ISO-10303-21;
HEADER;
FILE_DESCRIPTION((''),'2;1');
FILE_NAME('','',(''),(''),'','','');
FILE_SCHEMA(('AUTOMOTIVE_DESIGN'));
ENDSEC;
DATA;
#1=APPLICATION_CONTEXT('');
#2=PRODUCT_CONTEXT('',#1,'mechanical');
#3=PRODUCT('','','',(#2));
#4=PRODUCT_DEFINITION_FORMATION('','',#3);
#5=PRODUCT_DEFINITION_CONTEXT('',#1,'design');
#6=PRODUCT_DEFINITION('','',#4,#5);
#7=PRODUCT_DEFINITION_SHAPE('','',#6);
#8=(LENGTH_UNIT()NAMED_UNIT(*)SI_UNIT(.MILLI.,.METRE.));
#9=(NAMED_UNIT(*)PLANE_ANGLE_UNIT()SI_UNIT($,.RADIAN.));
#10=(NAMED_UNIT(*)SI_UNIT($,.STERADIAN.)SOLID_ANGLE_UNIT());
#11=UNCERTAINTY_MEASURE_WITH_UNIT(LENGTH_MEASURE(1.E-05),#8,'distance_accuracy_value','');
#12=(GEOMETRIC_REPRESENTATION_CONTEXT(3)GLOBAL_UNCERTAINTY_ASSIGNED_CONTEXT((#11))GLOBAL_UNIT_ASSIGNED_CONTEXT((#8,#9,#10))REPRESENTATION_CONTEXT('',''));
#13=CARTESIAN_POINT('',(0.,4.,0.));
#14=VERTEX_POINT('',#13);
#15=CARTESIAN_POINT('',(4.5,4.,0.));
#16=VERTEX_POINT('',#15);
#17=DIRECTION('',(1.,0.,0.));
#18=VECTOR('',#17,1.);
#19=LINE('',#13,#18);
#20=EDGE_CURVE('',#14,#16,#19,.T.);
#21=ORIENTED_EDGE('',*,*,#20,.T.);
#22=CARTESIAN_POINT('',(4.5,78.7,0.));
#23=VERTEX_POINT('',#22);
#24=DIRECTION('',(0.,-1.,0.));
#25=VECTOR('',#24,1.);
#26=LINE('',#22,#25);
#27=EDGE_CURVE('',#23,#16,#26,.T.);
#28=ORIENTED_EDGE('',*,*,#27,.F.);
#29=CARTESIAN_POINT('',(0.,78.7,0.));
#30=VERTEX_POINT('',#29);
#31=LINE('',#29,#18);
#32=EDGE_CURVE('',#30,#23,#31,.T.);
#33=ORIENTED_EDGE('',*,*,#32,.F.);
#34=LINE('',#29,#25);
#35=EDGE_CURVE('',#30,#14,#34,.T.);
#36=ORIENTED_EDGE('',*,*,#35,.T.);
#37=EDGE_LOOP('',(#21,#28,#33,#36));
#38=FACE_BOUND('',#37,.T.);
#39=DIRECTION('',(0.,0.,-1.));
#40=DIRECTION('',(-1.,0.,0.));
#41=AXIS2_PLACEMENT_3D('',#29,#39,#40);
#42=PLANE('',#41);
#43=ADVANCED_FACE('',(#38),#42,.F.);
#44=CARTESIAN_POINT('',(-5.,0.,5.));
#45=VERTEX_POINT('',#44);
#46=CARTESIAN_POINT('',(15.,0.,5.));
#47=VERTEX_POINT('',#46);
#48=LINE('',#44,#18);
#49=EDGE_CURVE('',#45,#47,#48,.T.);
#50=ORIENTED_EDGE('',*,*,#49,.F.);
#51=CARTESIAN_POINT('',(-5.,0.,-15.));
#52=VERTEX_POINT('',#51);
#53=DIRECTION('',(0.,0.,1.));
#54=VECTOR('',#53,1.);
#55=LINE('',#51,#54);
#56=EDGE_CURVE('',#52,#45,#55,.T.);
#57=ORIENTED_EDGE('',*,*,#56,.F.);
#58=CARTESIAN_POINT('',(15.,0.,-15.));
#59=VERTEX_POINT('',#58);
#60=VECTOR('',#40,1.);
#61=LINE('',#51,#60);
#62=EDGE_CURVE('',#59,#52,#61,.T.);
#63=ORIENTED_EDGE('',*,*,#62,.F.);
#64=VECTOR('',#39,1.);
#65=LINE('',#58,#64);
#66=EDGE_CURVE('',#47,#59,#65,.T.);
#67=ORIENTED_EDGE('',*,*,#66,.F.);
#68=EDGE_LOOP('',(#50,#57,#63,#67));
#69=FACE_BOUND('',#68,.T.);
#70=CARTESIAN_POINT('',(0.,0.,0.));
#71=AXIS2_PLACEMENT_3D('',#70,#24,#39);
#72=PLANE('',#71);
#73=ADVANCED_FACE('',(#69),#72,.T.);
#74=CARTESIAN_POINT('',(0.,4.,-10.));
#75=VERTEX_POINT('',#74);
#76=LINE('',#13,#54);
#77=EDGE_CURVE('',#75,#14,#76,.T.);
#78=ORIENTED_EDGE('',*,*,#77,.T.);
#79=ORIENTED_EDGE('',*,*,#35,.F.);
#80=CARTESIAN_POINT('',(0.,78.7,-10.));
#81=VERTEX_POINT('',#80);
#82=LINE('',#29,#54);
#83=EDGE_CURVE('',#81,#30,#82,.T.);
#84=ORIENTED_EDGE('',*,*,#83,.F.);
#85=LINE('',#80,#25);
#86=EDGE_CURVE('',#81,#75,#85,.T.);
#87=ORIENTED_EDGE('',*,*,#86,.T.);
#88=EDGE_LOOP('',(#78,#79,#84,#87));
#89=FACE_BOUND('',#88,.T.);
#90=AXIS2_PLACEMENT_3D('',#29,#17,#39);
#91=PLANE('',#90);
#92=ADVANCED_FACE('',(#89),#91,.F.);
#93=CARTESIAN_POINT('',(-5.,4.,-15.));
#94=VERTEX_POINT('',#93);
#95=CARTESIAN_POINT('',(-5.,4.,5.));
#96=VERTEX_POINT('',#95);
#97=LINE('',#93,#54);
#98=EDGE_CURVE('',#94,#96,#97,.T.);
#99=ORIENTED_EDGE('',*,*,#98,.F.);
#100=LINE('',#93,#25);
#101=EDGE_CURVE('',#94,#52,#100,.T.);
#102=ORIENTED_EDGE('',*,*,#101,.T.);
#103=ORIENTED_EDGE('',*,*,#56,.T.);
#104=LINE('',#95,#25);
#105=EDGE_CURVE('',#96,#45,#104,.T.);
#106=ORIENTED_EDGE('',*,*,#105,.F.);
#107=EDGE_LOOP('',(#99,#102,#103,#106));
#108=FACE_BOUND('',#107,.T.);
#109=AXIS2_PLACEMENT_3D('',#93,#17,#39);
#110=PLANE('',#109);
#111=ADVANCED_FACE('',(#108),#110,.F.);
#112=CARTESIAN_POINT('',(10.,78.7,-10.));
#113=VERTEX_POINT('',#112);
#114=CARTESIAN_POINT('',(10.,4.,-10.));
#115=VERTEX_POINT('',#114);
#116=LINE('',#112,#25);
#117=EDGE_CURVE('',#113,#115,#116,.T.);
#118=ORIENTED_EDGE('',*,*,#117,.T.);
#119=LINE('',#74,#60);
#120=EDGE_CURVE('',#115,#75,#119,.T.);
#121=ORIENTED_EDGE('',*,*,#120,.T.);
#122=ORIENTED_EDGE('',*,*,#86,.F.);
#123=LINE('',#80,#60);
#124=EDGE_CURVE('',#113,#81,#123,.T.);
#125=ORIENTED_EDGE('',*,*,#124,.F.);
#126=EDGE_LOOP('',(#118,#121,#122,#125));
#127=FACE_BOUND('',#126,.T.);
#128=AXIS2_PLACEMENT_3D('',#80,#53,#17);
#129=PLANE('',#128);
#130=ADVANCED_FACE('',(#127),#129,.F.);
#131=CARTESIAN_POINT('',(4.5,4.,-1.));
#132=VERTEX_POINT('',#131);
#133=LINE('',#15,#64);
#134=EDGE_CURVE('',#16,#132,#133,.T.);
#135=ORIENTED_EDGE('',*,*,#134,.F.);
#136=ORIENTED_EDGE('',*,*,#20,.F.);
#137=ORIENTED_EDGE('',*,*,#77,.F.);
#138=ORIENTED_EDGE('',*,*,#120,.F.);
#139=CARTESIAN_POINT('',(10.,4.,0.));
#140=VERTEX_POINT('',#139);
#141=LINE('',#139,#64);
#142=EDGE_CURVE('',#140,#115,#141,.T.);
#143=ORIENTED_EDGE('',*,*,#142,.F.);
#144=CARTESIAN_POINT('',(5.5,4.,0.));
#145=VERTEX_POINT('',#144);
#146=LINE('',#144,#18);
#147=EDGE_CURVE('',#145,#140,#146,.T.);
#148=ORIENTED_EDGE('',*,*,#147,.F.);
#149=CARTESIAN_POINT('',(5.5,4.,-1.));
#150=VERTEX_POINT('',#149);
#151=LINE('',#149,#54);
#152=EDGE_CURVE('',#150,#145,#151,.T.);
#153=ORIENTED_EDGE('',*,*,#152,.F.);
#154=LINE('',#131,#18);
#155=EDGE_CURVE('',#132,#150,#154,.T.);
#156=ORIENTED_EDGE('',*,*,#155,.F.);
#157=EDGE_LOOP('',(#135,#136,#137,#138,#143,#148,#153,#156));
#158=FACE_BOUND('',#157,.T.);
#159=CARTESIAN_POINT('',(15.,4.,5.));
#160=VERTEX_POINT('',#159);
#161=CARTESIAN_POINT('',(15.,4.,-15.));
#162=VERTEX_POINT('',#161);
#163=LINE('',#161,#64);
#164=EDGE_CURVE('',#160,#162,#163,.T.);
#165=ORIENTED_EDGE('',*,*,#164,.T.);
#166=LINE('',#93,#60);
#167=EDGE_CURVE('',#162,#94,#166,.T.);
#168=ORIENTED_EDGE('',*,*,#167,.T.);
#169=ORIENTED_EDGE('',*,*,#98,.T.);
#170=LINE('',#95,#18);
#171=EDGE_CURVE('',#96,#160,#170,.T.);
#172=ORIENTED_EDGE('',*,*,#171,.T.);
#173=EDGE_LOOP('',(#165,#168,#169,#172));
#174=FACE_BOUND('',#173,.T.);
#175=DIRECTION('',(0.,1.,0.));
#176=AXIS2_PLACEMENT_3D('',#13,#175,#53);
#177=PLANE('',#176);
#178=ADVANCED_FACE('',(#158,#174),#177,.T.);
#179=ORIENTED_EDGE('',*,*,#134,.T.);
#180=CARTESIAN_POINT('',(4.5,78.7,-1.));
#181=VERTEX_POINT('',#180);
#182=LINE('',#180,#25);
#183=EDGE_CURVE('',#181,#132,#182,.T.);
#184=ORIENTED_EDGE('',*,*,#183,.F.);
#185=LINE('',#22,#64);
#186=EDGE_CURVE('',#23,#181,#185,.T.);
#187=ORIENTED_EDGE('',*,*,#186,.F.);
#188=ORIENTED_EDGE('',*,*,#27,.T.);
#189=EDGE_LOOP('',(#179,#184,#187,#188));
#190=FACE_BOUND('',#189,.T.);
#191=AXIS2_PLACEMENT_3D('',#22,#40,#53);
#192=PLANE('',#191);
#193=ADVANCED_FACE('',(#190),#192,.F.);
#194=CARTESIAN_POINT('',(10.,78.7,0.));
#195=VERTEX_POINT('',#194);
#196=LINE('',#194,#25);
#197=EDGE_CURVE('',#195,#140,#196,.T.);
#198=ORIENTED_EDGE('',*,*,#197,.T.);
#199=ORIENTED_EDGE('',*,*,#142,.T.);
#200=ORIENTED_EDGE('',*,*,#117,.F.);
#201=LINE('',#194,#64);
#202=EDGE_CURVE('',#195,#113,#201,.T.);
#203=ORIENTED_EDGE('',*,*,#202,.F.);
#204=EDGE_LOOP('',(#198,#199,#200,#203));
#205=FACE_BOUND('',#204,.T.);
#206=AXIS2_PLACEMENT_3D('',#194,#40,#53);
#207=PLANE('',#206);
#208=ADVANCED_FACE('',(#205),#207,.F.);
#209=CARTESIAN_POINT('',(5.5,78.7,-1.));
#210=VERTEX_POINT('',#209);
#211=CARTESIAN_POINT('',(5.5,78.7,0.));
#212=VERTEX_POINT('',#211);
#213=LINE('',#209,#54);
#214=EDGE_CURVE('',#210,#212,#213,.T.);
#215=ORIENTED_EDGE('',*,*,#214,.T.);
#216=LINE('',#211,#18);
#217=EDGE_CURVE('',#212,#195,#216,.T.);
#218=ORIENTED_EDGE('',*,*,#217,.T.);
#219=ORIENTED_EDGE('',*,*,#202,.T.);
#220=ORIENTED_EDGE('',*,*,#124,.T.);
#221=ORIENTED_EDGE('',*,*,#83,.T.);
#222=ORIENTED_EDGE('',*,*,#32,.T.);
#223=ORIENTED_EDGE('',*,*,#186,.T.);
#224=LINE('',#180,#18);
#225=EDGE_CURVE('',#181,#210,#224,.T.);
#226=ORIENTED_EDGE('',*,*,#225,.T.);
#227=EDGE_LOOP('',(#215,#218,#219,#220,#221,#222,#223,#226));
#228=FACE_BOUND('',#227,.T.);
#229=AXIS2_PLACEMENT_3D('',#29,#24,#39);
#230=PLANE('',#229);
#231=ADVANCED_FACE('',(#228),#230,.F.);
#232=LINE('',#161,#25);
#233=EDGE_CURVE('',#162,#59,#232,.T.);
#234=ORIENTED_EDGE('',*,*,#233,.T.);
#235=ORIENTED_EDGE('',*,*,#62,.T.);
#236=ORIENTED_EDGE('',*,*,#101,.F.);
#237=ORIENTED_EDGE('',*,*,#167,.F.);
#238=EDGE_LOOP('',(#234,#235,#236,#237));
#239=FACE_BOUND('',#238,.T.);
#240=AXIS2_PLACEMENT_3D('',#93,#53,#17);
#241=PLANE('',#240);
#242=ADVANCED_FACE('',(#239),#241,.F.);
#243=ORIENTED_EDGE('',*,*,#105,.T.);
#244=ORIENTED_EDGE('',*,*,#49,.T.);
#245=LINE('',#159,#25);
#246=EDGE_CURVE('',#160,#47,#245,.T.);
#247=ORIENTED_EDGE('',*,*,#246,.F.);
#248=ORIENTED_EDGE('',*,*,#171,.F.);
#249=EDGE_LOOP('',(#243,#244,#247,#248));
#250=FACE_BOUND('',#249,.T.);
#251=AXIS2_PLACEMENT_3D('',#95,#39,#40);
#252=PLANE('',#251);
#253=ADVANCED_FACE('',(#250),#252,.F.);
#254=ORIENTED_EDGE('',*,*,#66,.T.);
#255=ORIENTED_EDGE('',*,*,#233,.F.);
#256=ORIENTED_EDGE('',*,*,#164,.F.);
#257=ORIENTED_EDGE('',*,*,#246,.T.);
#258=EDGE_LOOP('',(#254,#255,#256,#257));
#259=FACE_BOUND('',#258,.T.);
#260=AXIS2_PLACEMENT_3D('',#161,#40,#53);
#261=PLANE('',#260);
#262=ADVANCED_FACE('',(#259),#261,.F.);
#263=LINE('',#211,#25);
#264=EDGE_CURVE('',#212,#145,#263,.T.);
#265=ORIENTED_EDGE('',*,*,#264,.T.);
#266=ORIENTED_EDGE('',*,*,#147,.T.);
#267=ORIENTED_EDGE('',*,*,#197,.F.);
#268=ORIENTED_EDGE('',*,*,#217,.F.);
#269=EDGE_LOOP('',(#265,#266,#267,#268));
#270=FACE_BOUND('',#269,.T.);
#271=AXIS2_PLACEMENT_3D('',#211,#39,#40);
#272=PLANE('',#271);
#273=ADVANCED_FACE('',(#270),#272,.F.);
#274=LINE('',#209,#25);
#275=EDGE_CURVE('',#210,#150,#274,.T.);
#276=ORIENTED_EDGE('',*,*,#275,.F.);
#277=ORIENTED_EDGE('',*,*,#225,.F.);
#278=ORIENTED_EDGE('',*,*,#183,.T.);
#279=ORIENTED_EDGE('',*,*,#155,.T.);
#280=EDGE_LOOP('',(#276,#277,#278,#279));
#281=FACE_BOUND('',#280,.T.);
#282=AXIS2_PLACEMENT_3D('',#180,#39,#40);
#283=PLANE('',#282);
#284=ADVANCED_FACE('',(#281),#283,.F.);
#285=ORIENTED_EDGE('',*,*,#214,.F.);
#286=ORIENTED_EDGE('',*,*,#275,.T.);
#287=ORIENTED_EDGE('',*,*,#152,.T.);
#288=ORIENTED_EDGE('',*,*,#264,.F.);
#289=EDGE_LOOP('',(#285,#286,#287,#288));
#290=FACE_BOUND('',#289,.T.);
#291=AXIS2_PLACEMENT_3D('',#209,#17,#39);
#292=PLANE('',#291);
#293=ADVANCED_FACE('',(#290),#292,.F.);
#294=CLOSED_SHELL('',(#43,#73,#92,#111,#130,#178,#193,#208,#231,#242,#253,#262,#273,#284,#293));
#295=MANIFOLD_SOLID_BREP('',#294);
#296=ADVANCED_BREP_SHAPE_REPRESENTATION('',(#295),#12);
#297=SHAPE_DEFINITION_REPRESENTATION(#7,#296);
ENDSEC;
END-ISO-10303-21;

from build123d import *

# Parameters (mm, degrees)
BOSS_EXTRUDE1_DEPTH = 78.7
SKETCH2_W           = 20
SKETCH2_H           = 20
BOSS_EXTRUDE2_DEPTH = 4


with BuildPart() as part:
    # Sketch1 → Boss-Extrude1 (new body)
    with BuildSketch(Plane(origin=(0, 0, 0), x_dir=(1, 0, 0), z_dir=(0, 1, 0))):
        Polygon((4.5, 0), (4.5, 1), (5.5, 1), (5.5, 0), (10, 0), (10, 10), (0, 10), (0, 0), align=None)
    extrude(amount=BOSS_EXTRUDE1_DEPTH)

    # Sketch2 → Boss-Extrude2 (add)
    with BuildSketch(Plane(origin=(0, 0, 0), x_dir=(1, 0, 0), z_dir=(0, 1, 0))):
        with Locations((5, 5)):
            Rectangle(SKETCH2_W, SKETCH2_H)
    extrude(amount=BOSS_EXTRUDE2_DEPTH)


solid = part.part
